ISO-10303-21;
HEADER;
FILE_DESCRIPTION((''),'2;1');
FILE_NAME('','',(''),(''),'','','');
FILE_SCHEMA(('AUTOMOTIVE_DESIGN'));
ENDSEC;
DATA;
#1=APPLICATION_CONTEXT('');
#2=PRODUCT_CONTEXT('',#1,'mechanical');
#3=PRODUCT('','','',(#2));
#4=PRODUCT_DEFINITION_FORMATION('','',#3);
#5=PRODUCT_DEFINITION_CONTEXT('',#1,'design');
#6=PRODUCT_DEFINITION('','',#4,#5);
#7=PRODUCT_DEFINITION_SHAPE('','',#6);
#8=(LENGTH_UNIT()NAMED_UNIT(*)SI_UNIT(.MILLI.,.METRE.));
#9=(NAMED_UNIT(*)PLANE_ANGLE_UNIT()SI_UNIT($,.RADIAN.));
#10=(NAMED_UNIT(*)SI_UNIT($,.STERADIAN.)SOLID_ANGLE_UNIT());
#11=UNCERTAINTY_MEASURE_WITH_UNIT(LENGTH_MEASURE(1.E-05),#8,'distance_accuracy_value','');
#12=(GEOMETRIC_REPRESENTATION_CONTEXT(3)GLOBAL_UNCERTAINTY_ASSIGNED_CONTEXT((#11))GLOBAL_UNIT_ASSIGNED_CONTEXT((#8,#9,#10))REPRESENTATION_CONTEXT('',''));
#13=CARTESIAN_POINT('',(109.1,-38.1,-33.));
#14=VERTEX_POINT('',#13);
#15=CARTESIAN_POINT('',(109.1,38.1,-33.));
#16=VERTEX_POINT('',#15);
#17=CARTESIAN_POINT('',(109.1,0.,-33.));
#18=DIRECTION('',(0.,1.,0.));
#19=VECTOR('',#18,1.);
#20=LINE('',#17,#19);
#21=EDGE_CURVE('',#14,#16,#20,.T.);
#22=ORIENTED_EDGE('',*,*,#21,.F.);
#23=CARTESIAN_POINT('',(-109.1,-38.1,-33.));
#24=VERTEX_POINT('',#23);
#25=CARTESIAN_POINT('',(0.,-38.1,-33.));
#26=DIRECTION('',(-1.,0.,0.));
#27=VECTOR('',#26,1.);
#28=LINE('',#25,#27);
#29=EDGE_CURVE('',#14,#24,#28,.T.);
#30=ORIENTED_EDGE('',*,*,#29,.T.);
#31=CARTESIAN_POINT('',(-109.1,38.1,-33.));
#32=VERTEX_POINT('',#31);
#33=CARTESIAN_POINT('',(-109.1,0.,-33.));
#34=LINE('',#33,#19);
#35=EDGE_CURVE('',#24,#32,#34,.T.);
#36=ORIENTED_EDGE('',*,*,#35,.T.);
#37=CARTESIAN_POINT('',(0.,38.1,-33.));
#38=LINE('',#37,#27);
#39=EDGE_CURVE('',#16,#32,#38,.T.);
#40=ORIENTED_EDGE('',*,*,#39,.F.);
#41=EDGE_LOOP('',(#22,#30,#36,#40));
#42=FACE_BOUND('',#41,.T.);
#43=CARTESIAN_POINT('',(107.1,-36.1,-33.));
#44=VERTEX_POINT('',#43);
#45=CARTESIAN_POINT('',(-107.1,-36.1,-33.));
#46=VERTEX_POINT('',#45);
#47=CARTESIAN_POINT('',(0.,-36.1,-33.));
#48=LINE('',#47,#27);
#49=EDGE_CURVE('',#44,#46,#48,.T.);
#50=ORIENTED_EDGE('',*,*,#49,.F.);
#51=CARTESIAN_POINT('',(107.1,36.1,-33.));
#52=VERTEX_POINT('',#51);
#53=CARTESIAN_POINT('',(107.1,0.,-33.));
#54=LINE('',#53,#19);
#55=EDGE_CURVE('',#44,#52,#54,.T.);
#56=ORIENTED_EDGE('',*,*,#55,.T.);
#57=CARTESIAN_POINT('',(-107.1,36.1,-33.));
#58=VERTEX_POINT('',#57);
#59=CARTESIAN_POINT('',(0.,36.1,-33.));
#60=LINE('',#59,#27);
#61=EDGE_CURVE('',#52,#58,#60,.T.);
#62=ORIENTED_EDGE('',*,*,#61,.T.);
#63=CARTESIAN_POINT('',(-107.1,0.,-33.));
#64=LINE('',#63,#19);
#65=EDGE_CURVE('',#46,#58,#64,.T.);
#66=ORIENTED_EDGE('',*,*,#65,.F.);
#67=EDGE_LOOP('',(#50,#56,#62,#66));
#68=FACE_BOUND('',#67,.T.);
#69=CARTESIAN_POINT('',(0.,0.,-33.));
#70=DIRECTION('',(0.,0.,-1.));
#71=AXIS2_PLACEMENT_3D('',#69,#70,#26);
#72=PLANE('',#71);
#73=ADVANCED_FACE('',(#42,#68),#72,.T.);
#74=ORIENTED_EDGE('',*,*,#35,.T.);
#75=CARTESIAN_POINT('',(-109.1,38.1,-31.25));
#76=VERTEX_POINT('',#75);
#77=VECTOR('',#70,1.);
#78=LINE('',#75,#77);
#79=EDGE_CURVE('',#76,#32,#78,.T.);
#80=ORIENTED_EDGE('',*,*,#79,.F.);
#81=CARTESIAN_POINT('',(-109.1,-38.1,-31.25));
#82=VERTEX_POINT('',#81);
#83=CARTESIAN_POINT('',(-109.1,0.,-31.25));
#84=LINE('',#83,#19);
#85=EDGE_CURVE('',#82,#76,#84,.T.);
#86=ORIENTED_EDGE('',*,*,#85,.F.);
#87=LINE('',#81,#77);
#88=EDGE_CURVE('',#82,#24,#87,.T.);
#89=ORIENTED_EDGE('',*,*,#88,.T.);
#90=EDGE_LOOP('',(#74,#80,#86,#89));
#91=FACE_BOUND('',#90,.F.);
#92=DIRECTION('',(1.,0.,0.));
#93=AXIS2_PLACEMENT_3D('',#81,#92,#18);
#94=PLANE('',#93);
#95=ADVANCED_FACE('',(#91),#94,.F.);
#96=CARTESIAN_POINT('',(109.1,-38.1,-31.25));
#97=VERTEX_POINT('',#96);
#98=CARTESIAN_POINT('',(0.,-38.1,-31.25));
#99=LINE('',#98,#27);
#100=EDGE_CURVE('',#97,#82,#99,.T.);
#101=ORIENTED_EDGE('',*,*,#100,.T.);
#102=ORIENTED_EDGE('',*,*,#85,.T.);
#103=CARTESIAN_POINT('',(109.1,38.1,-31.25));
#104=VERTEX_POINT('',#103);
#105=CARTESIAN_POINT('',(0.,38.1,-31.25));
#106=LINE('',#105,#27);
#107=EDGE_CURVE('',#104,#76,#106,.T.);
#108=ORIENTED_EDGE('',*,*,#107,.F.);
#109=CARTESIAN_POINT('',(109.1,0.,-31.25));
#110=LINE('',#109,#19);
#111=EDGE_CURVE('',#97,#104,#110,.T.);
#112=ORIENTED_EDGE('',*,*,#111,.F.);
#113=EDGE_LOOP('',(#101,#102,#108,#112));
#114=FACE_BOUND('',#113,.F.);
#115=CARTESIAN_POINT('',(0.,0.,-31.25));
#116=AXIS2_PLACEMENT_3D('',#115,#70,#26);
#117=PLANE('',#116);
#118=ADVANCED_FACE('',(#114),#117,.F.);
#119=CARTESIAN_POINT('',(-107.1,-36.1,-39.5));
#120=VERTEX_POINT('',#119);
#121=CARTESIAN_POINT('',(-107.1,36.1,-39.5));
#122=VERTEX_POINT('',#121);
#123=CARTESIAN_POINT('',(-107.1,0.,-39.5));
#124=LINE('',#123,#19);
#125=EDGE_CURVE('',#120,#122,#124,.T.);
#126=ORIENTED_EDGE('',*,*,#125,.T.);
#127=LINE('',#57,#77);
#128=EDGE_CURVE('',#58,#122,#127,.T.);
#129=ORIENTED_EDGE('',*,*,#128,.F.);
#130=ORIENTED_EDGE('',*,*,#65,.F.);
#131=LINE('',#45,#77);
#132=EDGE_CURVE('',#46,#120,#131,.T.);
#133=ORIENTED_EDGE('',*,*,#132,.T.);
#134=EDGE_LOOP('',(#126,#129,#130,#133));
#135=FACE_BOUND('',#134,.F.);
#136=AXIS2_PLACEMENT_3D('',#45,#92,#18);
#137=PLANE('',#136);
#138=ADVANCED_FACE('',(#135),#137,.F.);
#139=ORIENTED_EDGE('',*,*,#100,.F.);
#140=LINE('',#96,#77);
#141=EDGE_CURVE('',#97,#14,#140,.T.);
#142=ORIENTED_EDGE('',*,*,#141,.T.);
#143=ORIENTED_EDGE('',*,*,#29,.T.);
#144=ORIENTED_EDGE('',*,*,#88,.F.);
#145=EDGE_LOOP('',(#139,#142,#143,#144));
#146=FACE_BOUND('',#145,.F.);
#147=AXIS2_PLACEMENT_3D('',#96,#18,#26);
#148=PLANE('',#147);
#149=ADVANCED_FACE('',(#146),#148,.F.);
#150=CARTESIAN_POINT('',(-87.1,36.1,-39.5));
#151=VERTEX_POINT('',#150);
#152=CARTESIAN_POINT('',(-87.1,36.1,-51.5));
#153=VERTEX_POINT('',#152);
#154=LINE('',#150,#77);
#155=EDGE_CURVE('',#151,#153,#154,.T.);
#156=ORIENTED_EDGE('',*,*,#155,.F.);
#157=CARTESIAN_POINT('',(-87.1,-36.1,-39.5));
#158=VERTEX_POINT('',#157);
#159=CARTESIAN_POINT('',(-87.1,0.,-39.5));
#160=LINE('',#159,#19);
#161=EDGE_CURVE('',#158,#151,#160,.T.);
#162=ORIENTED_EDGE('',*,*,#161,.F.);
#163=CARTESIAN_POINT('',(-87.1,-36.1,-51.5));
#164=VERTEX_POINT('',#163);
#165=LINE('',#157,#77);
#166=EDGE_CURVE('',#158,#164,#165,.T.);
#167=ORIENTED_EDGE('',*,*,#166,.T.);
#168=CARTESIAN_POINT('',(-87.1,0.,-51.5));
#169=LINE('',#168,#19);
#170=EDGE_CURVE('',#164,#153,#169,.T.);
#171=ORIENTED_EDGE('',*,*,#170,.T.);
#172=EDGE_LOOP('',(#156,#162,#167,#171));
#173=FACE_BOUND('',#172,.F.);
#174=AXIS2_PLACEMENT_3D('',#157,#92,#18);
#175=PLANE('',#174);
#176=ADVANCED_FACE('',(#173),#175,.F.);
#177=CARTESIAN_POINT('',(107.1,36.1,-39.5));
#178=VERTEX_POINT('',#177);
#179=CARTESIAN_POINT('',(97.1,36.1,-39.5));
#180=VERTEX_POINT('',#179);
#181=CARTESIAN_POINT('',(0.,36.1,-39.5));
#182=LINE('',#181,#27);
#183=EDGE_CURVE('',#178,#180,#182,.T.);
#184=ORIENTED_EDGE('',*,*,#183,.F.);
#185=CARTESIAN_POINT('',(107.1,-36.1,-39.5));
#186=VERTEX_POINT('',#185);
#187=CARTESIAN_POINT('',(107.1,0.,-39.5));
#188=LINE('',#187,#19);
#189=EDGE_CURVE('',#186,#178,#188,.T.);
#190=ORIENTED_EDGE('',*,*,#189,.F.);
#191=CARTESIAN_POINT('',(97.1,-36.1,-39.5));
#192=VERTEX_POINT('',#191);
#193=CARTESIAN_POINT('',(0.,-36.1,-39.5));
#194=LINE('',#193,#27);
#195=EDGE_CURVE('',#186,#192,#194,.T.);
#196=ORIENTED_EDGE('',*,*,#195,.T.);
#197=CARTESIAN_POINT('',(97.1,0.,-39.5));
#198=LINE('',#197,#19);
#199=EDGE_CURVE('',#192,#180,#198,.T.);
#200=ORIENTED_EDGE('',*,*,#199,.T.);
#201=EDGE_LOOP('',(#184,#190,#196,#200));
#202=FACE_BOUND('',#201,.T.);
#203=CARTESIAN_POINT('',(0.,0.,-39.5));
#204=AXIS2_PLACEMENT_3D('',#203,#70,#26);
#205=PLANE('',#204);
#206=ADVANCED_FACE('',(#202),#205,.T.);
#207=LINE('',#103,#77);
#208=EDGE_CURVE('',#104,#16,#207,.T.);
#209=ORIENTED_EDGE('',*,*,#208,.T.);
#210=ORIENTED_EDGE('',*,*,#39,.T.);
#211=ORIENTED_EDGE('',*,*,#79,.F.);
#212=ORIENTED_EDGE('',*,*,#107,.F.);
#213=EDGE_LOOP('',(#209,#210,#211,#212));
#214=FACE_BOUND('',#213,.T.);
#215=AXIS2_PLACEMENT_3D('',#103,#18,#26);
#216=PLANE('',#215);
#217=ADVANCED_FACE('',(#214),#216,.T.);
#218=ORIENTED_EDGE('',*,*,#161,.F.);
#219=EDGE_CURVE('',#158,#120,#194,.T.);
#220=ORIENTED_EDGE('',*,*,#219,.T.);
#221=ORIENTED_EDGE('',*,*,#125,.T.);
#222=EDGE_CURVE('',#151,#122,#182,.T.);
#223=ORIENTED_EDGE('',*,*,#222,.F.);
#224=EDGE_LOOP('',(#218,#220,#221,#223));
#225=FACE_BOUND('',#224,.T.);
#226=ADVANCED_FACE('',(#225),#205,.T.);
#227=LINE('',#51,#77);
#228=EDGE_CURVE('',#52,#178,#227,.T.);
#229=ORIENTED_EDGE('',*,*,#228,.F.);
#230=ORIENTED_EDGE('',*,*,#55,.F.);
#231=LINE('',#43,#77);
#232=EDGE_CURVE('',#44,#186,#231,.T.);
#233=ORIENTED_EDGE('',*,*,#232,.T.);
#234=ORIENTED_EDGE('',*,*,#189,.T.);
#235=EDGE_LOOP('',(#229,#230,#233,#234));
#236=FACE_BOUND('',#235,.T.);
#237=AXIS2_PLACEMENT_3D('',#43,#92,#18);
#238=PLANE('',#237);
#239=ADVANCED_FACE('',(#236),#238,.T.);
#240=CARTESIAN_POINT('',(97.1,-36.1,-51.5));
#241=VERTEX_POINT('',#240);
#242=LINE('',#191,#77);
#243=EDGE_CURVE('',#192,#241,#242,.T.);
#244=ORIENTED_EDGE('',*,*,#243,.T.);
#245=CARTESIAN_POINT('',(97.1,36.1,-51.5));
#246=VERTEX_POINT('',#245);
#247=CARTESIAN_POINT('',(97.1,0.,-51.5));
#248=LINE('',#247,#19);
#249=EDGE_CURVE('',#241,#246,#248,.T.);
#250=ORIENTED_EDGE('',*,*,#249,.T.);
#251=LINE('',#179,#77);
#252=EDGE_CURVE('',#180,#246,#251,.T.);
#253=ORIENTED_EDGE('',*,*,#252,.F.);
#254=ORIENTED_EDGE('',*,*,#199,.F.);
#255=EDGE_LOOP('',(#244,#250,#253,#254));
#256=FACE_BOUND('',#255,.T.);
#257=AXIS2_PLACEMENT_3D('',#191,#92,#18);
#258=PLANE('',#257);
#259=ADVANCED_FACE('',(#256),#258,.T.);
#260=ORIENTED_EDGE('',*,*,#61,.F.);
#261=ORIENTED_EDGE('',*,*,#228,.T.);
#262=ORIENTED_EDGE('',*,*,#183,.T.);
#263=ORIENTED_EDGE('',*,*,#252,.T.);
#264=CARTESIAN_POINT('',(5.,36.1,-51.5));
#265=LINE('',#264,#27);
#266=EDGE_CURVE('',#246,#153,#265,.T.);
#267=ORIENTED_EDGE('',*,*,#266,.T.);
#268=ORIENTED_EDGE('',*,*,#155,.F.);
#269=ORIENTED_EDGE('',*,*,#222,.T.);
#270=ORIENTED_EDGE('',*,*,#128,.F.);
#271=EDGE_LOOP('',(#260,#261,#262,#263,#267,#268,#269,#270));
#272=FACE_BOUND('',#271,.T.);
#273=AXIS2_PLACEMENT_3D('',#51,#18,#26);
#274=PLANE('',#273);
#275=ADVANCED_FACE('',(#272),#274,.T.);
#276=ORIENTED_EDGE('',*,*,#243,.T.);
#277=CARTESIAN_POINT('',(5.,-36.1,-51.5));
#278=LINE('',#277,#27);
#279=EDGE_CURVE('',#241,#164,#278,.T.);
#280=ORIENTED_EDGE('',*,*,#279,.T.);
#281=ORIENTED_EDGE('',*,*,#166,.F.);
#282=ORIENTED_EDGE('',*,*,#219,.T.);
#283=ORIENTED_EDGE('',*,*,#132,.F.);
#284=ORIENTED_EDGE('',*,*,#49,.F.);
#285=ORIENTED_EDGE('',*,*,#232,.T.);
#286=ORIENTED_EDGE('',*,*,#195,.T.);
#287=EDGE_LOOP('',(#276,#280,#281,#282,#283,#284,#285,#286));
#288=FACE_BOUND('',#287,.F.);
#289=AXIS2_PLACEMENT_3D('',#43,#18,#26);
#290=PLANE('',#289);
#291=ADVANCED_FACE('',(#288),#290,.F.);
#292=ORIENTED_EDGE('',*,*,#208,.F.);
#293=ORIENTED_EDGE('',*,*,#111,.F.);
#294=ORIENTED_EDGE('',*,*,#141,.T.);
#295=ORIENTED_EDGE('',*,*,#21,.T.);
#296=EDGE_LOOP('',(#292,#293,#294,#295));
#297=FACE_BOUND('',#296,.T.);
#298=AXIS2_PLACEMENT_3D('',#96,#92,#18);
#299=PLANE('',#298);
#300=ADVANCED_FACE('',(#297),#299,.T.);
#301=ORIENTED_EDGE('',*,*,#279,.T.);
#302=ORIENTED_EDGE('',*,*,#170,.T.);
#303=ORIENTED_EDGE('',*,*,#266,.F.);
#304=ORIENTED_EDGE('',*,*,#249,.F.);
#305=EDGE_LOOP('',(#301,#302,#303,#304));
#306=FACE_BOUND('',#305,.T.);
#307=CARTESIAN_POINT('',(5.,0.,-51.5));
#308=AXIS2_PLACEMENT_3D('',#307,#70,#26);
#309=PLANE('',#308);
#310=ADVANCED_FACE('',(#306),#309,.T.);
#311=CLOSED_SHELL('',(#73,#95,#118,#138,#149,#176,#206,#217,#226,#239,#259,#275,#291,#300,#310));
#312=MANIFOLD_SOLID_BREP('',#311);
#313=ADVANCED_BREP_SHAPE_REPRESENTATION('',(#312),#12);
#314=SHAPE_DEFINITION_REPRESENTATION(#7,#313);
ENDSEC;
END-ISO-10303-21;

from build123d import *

# Parameters (mm, degrees)
SKETCH004_W             = 218.2
SKETCH004_H             = 76.2
PAD004_DEPTH            = 1.75
SKETCH005_W             = 214.2
SKETCH005_H             = 72.2
PAD005_DEPTH            = 6.5
SKETCH006_W             = 184.2
SKETCH006_H             = 72.2
PAD006_DEPTH            = 12
BODY003_PLACEMENT_ANGLE = 180


with BuildPart() as part:
    # Sketch004 (on CopyDatumPlane) → Pad004 (new body)
    with BuildSketch(Plane(origin=(0, 0, -31.25), x_dir=(1, 0, 0), z_dir=(0, 0, -1))):
        Rectangle(SKETCH004_W, SKETCH004_H)
    extrude(amount=PAD004_DEPTH)

    # Sketch005 (on Face6 of Pad004) → Pad005 (join)
    with BuildSketch(Plane(origin=(0, 0, -33), x_dir=(1, 0, 0), z_dir=(0, 0, -1))):
        Rectangle(SKETCH005_W, SKETCH005_H)
    extrude(amount=PAD005_DEPTH)

    # Sketch006 (on Face11 of Pad005) → Pad006 (join)
    with BuildSketch(Plane(origin=(0, 0, -39.5), x_dir=(1, 0, 0), z_dir=(0, 0, -1))):
        with Locations((-5, 0)):
            Rectangle(SKETCH006_W, SKETCH006_H)
    extrude(amount=PAD006_DEPTH)


with BuildPart() as part_1:
    # Body003 placement: moved
    add(part.part.rotate(Axis((0, 0, 0), (0, 0, 1)), BODY003_PLACEMENT_ANGLE))


solid = part_1.part
